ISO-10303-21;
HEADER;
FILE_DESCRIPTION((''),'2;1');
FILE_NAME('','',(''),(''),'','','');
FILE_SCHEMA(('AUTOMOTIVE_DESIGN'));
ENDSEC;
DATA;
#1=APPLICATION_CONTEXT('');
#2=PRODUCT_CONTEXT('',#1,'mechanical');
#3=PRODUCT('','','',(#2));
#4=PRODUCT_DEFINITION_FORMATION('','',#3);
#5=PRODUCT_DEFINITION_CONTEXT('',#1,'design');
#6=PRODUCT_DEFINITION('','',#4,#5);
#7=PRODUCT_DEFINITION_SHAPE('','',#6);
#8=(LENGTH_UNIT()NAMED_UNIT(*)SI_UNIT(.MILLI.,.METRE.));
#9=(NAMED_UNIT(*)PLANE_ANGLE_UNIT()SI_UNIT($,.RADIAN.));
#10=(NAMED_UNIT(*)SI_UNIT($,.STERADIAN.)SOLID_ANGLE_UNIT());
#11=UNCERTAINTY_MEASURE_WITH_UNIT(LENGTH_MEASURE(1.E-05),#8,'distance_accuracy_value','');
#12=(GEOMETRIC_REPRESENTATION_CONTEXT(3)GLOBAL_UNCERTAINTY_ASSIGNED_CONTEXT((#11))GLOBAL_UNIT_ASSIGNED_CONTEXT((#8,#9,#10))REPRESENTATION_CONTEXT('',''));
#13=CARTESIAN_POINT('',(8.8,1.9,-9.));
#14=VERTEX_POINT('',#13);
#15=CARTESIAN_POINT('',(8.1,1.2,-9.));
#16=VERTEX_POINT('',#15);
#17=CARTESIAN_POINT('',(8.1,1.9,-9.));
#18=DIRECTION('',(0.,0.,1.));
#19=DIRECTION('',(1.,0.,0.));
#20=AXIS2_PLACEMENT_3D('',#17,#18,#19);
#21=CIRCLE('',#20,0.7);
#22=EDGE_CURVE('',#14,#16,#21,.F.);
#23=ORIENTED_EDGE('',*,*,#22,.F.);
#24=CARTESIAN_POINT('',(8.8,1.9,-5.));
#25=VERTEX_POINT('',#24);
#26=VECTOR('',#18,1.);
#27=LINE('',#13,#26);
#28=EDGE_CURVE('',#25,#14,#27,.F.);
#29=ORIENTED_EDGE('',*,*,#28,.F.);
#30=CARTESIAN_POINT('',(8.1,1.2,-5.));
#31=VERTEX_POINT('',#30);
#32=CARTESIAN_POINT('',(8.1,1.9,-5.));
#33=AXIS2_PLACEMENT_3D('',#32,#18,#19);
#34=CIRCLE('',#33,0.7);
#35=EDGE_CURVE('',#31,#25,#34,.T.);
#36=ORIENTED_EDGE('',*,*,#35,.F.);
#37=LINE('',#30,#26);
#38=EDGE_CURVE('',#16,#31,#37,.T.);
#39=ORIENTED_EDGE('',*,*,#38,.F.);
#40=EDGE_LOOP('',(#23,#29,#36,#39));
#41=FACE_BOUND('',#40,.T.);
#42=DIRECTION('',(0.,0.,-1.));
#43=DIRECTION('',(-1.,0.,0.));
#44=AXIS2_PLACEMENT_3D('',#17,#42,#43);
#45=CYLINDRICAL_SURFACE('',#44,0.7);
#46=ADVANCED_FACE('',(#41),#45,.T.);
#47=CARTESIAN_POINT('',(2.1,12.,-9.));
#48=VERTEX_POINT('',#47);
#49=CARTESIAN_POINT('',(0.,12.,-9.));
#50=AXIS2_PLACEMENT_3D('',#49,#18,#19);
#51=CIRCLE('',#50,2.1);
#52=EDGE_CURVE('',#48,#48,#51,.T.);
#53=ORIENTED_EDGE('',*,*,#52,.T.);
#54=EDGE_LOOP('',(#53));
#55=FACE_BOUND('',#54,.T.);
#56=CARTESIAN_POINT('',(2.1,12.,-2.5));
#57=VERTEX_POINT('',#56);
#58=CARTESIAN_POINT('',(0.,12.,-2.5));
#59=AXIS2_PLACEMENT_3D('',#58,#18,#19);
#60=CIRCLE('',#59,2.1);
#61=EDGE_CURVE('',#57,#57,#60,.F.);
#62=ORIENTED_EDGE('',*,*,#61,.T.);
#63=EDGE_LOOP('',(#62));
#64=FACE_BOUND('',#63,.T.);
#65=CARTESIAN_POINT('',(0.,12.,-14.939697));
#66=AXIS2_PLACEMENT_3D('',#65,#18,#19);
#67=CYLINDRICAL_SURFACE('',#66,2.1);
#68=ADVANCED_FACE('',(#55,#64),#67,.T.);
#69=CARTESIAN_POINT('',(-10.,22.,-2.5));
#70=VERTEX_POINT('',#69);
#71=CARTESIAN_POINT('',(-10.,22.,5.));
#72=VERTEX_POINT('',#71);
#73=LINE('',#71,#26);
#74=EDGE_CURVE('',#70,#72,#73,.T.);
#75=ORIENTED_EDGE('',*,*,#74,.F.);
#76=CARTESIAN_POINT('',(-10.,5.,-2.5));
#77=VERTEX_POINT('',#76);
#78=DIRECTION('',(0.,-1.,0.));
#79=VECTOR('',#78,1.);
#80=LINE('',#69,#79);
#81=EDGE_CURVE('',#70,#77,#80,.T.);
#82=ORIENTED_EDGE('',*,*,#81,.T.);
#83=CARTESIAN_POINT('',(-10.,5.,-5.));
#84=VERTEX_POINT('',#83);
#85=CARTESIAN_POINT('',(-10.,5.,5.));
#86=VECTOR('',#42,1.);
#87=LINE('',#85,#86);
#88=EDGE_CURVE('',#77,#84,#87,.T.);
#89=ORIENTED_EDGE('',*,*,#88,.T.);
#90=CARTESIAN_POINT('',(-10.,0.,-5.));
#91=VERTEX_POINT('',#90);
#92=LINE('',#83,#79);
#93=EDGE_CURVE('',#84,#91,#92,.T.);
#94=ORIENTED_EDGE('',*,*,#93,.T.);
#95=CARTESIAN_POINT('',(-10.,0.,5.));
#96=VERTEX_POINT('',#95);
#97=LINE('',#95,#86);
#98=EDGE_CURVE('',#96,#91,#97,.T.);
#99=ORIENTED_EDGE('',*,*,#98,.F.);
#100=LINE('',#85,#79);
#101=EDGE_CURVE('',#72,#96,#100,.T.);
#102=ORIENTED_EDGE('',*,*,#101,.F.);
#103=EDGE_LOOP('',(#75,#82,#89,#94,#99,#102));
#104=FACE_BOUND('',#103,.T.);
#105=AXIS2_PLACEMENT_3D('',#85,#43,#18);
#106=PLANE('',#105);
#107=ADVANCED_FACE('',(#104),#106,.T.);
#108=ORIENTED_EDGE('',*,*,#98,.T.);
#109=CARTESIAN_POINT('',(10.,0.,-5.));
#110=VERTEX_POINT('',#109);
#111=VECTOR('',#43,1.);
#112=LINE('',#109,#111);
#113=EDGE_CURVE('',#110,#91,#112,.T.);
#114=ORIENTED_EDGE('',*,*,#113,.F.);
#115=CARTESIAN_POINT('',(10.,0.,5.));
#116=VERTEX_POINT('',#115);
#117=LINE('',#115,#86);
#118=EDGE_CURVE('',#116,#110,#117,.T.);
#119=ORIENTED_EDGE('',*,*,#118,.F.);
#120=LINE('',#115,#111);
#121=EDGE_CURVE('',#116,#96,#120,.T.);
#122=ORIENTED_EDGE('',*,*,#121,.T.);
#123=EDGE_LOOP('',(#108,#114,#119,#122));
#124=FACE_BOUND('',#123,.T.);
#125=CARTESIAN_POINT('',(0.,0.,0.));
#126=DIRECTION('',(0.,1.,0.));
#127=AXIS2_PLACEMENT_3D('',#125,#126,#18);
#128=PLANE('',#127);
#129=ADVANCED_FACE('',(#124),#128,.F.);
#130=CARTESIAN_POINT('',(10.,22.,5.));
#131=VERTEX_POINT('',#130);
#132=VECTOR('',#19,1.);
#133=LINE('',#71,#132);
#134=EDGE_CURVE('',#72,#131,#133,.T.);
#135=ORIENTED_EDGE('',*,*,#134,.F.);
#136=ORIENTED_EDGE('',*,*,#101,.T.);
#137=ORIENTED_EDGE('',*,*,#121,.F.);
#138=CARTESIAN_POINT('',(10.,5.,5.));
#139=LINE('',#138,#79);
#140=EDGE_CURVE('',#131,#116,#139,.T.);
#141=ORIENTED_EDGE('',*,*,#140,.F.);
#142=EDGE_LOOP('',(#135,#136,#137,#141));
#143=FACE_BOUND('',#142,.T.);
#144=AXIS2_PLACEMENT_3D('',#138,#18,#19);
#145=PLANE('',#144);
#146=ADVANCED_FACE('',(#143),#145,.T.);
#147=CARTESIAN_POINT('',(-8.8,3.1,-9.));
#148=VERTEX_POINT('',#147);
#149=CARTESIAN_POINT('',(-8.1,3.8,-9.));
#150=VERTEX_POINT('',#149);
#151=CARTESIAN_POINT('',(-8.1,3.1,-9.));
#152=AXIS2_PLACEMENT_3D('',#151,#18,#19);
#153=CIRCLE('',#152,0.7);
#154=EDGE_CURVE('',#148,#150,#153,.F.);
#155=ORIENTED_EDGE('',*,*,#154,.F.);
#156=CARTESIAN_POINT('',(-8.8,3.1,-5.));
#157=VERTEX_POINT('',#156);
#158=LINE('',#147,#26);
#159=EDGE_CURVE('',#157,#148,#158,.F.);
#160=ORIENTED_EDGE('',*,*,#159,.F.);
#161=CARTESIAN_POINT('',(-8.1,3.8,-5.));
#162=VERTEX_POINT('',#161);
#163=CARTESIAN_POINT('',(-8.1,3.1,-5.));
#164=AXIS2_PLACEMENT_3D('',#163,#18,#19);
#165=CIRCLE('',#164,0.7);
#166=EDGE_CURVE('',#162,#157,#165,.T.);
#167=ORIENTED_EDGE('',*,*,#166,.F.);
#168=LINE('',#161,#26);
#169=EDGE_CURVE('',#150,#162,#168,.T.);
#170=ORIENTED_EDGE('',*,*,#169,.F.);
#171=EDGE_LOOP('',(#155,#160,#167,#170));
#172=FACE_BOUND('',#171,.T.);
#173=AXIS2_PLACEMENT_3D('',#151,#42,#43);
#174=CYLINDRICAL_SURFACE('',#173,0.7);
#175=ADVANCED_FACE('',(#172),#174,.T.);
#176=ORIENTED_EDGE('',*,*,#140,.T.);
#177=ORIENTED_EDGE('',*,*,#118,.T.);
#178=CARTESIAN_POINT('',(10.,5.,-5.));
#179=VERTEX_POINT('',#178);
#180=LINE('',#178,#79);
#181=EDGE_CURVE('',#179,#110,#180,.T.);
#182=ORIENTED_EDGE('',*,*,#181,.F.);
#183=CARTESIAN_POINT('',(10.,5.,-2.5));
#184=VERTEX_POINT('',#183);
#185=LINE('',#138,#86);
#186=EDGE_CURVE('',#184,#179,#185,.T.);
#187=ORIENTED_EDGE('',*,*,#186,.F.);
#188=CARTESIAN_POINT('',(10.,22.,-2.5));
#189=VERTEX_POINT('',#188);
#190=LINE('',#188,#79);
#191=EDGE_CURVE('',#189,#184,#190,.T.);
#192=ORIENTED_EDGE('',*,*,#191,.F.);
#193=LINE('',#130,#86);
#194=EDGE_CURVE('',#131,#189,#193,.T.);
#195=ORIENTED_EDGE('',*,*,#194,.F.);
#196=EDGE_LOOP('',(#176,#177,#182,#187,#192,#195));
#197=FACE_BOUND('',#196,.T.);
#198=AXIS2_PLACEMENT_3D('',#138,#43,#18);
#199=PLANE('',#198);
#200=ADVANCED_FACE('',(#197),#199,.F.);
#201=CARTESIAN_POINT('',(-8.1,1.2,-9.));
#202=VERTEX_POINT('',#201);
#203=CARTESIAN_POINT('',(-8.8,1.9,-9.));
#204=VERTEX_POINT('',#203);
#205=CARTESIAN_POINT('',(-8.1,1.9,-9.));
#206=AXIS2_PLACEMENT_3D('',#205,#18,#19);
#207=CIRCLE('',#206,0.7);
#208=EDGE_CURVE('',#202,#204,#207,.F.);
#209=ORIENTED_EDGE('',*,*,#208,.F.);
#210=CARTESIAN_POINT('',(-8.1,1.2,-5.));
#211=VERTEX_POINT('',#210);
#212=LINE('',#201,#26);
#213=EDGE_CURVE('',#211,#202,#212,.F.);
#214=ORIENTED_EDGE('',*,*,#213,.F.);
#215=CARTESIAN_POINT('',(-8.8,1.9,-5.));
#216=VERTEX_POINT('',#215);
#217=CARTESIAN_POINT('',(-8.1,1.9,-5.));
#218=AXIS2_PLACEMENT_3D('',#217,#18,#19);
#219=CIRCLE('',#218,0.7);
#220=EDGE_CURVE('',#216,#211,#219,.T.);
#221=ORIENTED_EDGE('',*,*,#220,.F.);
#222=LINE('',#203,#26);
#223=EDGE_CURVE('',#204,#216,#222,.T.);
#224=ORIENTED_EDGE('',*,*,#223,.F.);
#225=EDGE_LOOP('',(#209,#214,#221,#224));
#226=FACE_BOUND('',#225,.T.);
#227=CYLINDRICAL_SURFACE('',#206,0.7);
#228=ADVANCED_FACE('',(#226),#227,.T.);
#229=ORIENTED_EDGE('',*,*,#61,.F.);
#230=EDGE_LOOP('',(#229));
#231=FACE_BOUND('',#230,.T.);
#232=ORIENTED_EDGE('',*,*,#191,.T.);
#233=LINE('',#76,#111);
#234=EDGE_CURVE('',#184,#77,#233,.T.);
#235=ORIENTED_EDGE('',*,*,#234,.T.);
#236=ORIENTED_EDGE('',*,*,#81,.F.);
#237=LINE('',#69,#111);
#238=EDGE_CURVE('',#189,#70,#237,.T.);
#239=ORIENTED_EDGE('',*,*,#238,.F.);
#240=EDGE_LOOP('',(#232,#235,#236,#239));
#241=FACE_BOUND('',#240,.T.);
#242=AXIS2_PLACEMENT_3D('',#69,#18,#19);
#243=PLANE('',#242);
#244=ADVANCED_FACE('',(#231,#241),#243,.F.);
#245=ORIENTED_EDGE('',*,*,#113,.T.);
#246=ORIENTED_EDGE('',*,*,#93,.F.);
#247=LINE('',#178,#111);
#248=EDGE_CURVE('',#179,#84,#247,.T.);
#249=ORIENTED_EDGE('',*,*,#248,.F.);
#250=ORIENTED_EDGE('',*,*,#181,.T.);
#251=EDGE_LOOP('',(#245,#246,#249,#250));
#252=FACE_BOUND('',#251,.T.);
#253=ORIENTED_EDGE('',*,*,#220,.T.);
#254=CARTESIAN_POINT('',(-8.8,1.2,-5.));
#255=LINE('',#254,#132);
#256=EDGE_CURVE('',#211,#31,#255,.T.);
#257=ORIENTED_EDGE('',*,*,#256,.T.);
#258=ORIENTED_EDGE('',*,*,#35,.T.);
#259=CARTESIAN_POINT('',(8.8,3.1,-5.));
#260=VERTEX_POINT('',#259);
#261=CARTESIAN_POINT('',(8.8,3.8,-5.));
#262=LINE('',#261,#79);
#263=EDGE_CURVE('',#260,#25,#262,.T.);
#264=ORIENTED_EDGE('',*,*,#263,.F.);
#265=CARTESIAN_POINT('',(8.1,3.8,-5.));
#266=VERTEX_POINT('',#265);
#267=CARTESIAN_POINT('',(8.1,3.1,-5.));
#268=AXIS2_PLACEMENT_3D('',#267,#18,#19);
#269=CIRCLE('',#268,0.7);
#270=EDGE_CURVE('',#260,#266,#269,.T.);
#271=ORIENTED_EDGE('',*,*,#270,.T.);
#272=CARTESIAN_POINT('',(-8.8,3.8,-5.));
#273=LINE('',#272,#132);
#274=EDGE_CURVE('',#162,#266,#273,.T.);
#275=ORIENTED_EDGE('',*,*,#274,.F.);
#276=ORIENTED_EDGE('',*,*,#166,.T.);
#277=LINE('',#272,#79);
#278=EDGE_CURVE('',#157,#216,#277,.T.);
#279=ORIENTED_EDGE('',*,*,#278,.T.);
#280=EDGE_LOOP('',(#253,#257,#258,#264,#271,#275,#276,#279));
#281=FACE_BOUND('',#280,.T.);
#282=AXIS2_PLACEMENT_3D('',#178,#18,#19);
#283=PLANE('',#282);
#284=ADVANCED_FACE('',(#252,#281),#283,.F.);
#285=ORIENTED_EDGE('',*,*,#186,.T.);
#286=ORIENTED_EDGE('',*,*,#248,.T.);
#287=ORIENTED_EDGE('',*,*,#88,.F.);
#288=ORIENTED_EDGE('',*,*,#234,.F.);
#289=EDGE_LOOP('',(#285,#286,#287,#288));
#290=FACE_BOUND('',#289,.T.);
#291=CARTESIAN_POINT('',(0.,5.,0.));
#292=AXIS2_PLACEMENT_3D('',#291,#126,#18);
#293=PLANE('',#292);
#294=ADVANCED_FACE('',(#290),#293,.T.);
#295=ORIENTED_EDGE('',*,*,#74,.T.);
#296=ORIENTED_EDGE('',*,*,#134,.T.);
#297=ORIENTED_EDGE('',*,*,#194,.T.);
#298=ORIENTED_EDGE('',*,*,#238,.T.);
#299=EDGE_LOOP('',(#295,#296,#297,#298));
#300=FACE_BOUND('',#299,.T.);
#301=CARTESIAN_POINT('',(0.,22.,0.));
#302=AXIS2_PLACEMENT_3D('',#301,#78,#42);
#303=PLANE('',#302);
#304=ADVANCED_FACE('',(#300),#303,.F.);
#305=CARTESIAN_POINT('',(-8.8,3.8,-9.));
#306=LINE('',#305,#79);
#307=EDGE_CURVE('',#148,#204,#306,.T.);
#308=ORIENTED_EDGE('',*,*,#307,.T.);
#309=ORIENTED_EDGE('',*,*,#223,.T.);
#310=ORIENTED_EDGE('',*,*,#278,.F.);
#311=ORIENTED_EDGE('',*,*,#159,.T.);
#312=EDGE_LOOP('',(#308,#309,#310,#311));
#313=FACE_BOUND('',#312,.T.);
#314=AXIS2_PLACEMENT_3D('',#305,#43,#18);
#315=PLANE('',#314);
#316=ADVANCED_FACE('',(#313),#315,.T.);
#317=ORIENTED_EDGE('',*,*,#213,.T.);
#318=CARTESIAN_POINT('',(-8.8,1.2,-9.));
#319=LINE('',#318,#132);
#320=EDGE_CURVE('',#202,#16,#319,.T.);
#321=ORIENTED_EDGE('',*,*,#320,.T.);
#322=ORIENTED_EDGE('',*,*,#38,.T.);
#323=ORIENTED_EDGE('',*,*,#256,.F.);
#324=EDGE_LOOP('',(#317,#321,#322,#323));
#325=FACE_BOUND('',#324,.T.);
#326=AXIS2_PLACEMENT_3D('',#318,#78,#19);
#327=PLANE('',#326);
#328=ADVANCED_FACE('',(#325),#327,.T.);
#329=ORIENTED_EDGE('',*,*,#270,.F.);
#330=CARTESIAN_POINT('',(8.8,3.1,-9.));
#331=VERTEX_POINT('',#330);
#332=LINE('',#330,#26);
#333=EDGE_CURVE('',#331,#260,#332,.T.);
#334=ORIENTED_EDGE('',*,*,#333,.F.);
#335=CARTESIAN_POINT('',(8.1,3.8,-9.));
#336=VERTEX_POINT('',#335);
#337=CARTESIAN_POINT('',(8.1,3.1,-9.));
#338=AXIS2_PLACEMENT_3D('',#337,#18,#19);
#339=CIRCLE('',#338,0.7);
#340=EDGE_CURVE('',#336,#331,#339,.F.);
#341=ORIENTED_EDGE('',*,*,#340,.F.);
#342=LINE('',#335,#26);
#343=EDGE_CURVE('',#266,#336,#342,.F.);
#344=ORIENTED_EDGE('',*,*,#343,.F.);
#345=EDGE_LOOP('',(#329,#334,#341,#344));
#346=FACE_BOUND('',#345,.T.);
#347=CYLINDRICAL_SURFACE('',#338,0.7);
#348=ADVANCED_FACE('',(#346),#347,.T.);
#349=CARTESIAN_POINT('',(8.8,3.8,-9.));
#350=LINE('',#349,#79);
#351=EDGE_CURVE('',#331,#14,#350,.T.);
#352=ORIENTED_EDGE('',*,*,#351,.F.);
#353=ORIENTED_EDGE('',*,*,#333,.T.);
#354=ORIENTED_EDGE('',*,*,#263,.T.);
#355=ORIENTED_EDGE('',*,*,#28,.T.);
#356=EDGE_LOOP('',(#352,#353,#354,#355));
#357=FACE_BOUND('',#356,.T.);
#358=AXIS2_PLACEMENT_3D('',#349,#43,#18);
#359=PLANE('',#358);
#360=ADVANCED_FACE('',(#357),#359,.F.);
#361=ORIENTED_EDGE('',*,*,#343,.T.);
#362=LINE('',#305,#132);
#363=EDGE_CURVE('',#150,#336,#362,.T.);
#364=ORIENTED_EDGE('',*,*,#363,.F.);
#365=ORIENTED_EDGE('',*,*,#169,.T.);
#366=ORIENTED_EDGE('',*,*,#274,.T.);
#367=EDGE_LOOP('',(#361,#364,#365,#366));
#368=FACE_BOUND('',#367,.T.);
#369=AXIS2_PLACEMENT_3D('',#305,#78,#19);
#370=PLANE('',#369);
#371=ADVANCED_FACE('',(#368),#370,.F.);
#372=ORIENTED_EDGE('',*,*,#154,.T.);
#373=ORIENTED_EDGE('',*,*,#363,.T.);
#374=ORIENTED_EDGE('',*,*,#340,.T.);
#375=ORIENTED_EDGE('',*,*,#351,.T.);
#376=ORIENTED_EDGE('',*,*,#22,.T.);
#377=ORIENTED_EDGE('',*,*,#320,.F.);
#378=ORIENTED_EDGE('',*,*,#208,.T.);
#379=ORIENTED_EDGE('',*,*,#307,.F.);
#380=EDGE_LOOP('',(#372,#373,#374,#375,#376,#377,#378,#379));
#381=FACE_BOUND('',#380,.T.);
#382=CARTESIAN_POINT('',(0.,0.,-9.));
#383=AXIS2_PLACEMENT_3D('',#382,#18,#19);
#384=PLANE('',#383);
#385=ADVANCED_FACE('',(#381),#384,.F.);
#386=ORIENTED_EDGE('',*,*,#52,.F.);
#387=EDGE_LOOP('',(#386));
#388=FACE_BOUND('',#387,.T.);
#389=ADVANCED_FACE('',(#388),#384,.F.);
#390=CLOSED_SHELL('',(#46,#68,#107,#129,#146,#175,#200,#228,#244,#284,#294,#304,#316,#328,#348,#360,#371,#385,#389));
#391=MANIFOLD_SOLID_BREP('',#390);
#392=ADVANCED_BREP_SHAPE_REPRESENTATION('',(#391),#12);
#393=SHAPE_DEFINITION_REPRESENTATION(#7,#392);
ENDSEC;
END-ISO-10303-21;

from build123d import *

# Parameters (mm, degrees)
SKETCH1_W           = 20
SKETCH1_H           = 10
BOSS_EXTRUDE1_DEPTH = 5
SKETCH2_W           = 17.6
SKETCH2_H           = 2.6
BOSS_EXTRUDE2_DEPTH = 4
FILLET1_R           = 0.7
SKETCH3_W           = 20
SKETCH3_H           = 7.5
BOSS_EXTRUDE3_DEPTH = 17
SKETCH4_R           = 2.1
BOSS_EXTRUDE4_DEPTH = 6.5


with BuildPart() as part:
    # Sketch1 → Boss-Extrude1 (new body)
    with BuildSketch(Plane(origin=(0, 0, 0), x_dir=(1, 0, 0), z_dir=(0, 1, 0))):
        Rectangle(SKETCH1_W, SKETCH1_H)
    extrude(amount=BOSS_EXTRUDE1_DEPTH)

    # Sketch2 → Boss-Extrude2 (add)
    with BuildSketch(Plane(origin=(0, 0, -5), x_dir=(-1, 0, 0), z_dir=(0, 0, -1))):
        with Locations((0, 2.5)):
            Rectangle(SKETCH2_W, SKETCH2_H)
    extrude(amount=BOSS_EXTRUDE2_DEPTH)

    # Fillet1
    fillet1_edges = [part.edges().sort_by_distance(p)[0] for p in [
        (-8.8, 1.2, -7),
        (-8.8, 3.8, -7),
        (8.8, 3.8, -7),
        (8.8, 1.2, -7),
    ]]
    fillet(fillet1_edges, radius=FILLET1_R)

    # Sketch3 → Boss-Extrude3 (add)
    with BuildSketch(Plane(origin=(0, 5, 0), x_dir=(1, 0, 0), z_dir=(0, 1, 0))):
        with Locations((0, -1.25)):
            Rectangle(SKETCH3_W, SKETCH3_H)
    extrude(amount=BOSS_EXTRUDE3_DEPTH)

    # Sketch4 → Boss-Extrude4 (add)
    with BuildSketch(Plane(origin=(0, 0, -2.5), x_dir=(-1, 0, 0), z_dir=(0, 0, -1))):
        with Locations((0, 12)):
            Circle(SKETCH4_R)
    extrude(amount=BOSS_EXTRUDE4_DEPTH)


solid = part.part
